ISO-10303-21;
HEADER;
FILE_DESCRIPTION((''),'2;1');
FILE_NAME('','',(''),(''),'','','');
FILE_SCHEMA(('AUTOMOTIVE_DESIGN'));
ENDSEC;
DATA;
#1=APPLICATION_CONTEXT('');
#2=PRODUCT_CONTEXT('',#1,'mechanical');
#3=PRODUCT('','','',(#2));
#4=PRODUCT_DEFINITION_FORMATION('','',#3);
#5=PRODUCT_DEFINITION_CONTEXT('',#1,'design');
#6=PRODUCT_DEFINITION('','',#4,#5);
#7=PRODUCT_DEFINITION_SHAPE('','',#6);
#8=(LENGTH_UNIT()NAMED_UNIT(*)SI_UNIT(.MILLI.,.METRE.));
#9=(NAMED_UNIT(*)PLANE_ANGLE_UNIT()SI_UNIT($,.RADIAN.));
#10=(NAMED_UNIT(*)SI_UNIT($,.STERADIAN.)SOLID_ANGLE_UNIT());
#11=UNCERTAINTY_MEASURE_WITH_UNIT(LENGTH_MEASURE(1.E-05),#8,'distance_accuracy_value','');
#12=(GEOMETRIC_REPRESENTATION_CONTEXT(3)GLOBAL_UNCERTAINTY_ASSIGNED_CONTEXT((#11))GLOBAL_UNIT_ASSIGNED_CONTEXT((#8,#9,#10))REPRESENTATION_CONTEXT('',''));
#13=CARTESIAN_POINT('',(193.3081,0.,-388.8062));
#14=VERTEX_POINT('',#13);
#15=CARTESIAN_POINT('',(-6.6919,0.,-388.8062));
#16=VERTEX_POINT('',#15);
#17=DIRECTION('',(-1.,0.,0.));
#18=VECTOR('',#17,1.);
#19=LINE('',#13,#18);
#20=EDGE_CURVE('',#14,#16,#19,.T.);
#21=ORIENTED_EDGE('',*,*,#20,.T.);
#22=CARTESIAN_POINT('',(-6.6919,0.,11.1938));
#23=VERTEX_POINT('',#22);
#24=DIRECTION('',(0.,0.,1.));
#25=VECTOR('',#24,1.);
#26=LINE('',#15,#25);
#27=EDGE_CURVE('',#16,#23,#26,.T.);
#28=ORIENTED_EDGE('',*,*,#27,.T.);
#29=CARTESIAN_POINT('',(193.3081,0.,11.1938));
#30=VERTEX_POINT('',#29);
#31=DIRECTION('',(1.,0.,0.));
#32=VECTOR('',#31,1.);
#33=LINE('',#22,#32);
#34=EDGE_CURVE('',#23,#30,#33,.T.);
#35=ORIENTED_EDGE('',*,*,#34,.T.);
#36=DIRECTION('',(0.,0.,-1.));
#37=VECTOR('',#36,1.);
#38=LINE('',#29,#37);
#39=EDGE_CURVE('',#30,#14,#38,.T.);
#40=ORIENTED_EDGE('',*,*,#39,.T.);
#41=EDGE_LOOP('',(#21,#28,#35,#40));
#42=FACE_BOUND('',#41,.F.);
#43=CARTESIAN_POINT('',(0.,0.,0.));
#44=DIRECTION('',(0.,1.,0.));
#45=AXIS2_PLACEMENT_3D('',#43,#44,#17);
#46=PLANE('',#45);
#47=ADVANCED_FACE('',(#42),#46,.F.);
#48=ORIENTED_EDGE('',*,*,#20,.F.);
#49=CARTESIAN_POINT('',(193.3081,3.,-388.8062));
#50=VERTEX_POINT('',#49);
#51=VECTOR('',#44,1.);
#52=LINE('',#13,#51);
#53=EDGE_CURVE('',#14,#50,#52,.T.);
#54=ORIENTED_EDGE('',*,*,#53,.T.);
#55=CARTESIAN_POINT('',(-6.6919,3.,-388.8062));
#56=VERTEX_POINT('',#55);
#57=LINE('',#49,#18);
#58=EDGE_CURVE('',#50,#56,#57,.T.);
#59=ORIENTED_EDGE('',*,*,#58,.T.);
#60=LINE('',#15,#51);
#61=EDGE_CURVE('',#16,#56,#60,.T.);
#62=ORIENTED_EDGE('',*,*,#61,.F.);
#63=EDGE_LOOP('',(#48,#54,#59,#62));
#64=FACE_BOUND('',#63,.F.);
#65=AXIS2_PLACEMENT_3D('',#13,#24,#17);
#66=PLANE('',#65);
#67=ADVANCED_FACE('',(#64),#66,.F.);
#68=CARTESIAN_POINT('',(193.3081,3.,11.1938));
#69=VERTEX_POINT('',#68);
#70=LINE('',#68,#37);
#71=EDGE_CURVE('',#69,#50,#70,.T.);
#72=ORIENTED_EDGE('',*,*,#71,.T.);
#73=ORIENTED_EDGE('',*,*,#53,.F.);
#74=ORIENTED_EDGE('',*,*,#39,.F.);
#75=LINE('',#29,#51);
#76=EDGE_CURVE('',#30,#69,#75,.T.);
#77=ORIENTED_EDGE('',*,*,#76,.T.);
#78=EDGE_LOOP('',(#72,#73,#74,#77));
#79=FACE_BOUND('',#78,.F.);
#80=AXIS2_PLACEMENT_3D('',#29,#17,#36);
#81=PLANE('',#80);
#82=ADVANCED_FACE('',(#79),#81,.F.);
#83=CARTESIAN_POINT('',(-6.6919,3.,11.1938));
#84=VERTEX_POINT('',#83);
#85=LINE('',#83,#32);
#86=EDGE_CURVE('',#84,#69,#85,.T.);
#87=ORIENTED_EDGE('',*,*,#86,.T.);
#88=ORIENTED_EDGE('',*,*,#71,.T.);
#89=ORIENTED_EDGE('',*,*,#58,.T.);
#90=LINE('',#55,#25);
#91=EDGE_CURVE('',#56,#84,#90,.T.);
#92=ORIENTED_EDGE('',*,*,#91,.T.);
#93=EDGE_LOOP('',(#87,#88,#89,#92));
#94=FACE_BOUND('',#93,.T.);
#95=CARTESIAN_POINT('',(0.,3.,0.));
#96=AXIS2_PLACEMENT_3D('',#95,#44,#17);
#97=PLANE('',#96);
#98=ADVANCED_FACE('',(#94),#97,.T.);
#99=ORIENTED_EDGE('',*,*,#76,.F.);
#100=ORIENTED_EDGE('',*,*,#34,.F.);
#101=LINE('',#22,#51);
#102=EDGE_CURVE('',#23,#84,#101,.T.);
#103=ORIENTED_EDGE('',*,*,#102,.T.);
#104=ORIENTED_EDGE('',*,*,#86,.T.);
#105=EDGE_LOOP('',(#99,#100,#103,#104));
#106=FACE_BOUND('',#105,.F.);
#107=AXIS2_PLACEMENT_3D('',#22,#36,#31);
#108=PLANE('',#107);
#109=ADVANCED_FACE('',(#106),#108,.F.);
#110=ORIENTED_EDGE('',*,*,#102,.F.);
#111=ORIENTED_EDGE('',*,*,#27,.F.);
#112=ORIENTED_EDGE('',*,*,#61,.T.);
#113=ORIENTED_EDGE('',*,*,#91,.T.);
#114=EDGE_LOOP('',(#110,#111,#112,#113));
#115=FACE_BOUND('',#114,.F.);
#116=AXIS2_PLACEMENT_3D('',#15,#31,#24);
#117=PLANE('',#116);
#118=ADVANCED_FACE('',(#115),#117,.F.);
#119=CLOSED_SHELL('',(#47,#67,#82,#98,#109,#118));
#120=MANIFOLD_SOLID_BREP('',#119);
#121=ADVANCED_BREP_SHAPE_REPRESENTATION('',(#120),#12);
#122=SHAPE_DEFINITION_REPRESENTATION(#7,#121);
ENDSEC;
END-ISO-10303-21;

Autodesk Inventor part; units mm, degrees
ref_plane "YZ Plane" through (0, 0, 0) normal (1, 0, 0) x (0, 1, 0)
ref_plane "XZ Plane" through (0, 0, 0) normal (0, 1, 0) x (-1, 0, 0)
ref_plane "XY Plane" through (0, 0, 0) normal (0, 0, 1) x (1, 0, 0)
sketch "スケッチ1" plane through (0, 0, 0) normal (0, 1, 0) x (-1, 0, 0)
  line L0 (6.6919, 11.1938) -> (-193.3081, 11.1938)
  line L1 (-193.3081, 11.1938) -> (-193.3081, -388.8062)
  line L2 (-193.3081, -388.8062) -> (6.6919, -388.8062)
  line L3 (6.6919, -388.8062) -> (6.6919, 11.1938)
  point P0 (0, 0)
  dimension "d0" = 200
  dimension "d1" = 400
extrude "押し出し1" add sketch "スケッチ1" along normal blind 3
equation "\"BendRadius\" = Thickness"
equation "\"BendReliefWidth\" = Thickness"
equation "\"BendReliefDepth\" = 0.5 * Thickness"
equation "\"CornerReliefSize\" = 4 * Thickness"
equation "\"MinimumRemnant\" = 2 * Thickness"
equation "\"TransitionRadius\" = BendRadius"
equation "\"JacobiRadiusSize\" = BendRadius"
equation "\"GapSize\" = Thickness"
equation "\"Thickness\" = 0.5"
properties part number "NC.port"
